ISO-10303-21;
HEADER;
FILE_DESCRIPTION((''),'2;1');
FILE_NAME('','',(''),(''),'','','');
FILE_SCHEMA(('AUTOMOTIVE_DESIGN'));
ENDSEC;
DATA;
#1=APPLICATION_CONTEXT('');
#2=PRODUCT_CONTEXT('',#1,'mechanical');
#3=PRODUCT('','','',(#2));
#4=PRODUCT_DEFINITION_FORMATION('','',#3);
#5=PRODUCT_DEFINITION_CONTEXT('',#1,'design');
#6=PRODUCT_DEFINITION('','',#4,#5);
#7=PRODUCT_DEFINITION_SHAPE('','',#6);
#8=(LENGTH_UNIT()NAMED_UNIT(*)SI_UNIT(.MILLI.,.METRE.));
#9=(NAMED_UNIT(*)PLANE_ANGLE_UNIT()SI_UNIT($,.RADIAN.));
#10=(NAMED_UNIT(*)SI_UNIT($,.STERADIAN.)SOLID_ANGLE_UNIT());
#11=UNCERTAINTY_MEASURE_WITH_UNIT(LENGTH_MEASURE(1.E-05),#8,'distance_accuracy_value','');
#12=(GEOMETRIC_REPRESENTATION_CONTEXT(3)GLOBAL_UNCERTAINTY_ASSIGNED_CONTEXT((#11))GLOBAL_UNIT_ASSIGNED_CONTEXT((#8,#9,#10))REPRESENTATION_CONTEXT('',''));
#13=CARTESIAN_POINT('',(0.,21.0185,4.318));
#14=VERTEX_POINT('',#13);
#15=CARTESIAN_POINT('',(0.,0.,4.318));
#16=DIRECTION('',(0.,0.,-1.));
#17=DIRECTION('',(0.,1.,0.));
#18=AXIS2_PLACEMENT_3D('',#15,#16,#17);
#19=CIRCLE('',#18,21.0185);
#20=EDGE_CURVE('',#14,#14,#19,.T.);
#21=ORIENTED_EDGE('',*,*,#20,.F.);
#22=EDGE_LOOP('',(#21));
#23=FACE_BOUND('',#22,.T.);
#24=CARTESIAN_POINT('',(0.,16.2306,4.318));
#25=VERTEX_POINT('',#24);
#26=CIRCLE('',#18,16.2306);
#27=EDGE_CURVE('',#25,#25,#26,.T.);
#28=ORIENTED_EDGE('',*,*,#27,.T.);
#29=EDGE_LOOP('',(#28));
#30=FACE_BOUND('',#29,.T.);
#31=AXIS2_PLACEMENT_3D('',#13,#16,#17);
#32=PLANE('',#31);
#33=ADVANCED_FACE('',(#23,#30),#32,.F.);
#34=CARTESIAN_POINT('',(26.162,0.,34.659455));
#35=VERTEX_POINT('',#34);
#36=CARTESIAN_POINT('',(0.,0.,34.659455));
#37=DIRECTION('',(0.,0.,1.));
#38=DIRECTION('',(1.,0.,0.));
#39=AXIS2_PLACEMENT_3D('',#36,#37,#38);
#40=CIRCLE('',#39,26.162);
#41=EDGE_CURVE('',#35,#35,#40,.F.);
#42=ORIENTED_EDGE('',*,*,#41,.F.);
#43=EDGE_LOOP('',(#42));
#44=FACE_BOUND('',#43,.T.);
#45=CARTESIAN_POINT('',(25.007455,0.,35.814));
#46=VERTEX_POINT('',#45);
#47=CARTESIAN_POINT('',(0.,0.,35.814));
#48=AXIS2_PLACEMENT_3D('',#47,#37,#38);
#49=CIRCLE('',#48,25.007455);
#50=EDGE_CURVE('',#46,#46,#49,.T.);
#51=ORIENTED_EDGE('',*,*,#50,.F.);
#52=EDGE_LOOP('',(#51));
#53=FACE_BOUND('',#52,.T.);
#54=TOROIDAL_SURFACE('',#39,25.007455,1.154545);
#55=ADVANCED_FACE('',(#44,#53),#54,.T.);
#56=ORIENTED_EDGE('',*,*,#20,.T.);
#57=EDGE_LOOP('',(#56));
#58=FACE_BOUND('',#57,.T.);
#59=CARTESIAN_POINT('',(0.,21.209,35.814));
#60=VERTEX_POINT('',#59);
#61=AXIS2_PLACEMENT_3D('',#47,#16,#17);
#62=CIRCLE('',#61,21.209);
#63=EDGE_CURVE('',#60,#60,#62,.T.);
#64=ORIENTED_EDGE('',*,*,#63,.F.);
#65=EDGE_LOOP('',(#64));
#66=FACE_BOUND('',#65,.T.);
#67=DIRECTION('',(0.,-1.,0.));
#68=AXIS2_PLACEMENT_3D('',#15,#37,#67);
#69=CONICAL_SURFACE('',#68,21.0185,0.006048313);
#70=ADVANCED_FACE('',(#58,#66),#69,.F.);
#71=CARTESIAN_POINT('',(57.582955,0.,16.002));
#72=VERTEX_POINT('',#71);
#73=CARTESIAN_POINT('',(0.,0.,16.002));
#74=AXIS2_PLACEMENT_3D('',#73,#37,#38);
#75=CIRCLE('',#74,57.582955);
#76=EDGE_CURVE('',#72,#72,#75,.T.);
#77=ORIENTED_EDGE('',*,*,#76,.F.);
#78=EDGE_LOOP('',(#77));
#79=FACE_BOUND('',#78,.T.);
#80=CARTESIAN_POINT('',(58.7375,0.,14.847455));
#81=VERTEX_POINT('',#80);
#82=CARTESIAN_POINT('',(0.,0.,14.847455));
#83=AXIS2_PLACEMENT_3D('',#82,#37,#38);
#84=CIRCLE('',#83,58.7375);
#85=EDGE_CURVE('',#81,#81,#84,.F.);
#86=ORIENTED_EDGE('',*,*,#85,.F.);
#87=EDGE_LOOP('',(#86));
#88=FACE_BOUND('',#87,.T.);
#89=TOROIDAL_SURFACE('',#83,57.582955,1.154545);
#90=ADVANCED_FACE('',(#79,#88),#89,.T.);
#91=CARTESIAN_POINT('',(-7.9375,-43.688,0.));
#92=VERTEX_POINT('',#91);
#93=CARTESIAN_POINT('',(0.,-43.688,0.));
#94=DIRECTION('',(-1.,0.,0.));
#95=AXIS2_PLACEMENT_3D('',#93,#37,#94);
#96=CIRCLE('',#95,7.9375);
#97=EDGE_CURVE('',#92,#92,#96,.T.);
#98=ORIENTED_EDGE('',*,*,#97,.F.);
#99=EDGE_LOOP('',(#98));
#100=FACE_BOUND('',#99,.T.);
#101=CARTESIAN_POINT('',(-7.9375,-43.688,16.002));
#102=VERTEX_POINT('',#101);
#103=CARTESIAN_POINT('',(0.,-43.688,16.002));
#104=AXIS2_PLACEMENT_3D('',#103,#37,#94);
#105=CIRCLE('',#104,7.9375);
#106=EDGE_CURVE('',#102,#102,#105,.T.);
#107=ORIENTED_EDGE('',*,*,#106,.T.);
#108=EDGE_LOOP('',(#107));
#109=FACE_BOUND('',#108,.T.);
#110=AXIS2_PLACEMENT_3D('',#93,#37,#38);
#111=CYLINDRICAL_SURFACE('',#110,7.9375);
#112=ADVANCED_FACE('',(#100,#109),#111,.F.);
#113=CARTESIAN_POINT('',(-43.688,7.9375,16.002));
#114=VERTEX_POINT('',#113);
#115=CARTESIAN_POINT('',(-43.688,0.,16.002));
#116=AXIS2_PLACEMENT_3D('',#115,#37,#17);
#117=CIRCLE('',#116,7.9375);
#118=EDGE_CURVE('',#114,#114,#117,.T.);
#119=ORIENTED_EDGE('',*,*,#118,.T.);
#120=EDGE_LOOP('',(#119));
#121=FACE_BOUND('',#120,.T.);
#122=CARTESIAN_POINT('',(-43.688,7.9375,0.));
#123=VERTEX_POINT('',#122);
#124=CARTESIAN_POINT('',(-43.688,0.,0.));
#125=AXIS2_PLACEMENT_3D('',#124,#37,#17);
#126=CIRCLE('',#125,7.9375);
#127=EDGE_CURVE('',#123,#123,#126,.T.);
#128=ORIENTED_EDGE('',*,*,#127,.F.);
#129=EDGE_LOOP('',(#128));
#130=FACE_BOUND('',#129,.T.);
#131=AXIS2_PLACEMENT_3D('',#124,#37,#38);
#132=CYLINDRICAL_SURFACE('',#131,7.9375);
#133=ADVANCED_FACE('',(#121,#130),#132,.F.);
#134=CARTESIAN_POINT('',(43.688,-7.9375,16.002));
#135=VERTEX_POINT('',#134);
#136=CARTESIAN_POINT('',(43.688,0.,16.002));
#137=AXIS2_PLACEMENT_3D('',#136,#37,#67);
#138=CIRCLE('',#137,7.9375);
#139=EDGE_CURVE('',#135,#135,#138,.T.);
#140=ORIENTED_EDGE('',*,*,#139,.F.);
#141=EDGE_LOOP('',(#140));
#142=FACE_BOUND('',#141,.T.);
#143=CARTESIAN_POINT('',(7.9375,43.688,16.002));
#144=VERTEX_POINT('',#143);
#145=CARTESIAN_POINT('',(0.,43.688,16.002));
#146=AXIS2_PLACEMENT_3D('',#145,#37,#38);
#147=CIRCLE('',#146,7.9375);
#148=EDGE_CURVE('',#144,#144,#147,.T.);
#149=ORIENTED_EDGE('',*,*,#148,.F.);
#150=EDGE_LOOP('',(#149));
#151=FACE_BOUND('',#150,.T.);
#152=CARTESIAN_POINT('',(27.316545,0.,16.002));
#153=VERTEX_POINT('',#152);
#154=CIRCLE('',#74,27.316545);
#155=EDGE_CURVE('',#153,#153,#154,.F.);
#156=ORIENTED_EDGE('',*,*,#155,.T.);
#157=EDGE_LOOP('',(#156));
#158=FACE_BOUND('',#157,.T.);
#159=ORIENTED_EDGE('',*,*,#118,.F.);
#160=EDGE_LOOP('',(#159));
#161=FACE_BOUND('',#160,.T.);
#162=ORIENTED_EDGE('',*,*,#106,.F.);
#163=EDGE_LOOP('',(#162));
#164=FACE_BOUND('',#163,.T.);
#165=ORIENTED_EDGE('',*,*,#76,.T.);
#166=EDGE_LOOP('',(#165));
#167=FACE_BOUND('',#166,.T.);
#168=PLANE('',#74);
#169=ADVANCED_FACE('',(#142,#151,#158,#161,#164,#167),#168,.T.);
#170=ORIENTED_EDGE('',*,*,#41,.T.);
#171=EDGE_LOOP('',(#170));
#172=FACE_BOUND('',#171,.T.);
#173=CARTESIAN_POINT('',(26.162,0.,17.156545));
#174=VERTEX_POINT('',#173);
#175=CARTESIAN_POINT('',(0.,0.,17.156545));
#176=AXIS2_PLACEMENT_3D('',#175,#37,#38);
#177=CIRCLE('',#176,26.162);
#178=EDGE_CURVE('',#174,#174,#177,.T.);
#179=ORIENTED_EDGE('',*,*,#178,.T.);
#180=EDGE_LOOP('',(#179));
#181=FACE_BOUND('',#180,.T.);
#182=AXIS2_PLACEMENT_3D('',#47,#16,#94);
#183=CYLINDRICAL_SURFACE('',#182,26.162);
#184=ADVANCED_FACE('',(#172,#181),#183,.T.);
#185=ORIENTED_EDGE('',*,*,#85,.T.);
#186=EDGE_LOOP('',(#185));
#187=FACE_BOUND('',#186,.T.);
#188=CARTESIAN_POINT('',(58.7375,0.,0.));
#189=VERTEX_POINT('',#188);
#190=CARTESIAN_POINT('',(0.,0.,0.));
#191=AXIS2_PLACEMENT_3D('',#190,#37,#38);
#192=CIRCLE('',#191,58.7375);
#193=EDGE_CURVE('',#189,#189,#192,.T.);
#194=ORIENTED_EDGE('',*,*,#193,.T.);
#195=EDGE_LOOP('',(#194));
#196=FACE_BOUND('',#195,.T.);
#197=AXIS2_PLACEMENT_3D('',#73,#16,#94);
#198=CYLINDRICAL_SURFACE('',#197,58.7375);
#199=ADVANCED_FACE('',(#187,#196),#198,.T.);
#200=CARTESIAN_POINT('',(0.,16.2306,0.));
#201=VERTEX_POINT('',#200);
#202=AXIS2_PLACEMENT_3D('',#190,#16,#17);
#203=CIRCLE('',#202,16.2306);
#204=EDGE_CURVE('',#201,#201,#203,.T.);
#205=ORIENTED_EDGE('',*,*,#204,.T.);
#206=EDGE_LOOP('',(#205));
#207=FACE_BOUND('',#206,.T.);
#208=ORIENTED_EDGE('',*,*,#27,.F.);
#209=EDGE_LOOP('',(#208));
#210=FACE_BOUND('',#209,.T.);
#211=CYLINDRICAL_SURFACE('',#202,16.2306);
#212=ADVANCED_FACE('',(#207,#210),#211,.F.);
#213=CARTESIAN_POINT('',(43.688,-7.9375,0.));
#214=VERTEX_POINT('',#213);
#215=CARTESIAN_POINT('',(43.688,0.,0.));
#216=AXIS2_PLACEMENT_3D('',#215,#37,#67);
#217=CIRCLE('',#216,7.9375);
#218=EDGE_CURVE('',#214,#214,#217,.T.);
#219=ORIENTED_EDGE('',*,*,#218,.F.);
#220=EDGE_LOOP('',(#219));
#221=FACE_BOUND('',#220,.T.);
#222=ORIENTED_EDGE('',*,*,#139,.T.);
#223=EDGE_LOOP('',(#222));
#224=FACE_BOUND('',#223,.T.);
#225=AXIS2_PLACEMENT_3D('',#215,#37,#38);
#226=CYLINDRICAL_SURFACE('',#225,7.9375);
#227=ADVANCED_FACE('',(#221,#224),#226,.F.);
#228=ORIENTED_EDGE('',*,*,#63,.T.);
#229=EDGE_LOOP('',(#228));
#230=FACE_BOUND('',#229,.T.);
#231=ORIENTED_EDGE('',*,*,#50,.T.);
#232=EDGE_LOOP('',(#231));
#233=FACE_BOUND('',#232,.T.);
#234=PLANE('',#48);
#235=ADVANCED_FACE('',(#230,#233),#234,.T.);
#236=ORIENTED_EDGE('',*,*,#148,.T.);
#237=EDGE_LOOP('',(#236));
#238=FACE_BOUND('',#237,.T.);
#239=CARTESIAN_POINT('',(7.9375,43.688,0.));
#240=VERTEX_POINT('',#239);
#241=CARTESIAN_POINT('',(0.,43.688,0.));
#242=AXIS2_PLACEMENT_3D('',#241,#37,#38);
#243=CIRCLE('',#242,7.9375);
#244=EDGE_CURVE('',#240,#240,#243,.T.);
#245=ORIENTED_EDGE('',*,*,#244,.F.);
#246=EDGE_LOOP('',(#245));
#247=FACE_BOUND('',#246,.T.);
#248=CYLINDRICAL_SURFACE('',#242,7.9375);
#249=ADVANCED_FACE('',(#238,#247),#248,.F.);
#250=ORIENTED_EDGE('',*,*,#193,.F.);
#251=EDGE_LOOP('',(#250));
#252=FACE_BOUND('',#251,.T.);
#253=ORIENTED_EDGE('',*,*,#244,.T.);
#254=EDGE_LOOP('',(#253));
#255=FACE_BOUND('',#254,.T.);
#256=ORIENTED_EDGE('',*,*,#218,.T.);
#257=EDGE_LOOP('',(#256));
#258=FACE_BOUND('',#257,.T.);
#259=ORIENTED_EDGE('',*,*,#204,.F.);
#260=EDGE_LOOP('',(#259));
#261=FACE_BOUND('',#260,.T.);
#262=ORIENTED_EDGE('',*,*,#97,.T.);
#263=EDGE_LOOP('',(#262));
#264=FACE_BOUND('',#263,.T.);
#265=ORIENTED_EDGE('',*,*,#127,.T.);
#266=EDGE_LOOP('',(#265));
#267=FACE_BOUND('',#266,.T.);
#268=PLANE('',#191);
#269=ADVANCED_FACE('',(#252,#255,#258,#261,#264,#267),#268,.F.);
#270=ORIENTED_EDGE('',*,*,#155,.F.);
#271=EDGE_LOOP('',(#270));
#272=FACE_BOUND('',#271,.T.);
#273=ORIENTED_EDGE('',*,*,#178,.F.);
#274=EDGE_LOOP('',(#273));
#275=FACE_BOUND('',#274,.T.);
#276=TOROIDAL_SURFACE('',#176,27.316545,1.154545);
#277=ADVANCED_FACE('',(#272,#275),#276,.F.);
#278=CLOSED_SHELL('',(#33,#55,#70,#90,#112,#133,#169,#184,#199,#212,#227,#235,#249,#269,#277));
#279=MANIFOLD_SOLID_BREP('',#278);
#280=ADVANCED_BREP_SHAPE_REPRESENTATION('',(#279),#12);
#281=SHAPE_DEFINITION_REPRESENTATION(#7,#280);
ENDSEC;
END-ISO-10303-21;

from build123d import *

# Parameters (mm, degrees)
SKETCH1_R         = 58.7375
EXTRUDE1_DEPTH    = 16.002
SKETCH2_R         = 26.162
EXTRUDE2_DEPTH    = 19.812
SKETCH3_R         = 7.9375
EXTRUDE3_DEPTH    = 86.39732523
CIRPATTERN1_COUNT = 4
FILLET1_R         = 1.154545455


with BuildPart() as part:
    # Sketch1 → Extrude1 (new body)
    with BuildSketch(Plane.XY):
        Circle(SKETCH1_R)
    extrude(amount=EXTRUDE1_DEPTH)

    # Sketch2 → Extrude2 (add)
    with BuildSketch(Plane.XY.offset(16.002)):
        Circle(SKETCH2_R)
    extrude(amount=EXTRUDE2_DEPTH)

    # Sketch3 → Extrude3 (cut, through all)
    with BuildSketch(Plane.XY.offset(16.002)):
        with Locations((0, 43.688)):
            Circle(SKETCH3_R)
    extrude3 = extrude(amount=-EXTRUDE3_DEPTH, mode=Mode.SUBTRACT)

    # CirPattern1: Extrude3 ×4 about axis
    cirpattern1_axis = Axis((0, 0, 0), (0, 0, 1))
    for i in range(1, CIRPATTERN1_COUNT):
        add(extrude3.rotate(cirpattern1_axis, i * 360 / CIRPATTERN1_COUNT), mode=Mode.SUBTRACT)

    # Fillet1
    fillet1_edges = [part.edges().sort_by_distance(p)[0] for p in [
        (-58.7375, 0, 16.002),
        (-26.162, 0, 16.002),
        (-26.162, 0, 35.814),
    ]]
    fillet(fillet1_edges, radius=FILLET1_R)

    # Sketch4 → Cut-Revolve1 (revolve, cut)
    with BuildSketch(Plane(origin=(0, 0, 63.5), x_dir=(0, 0, -1), z_dir=(1, 0, 0))):
        Polygon((27.686, 21.209), (59.182, 21.0185), (59.182, 16.2306), (63.5, 16.2306), (63.5, 0), (27.686, 0), align=None)
    revolve(axis=Axis((0, 0, 0), (0, 0, 1)), mode=Mode.SUBTRACT)


solid = part.part
